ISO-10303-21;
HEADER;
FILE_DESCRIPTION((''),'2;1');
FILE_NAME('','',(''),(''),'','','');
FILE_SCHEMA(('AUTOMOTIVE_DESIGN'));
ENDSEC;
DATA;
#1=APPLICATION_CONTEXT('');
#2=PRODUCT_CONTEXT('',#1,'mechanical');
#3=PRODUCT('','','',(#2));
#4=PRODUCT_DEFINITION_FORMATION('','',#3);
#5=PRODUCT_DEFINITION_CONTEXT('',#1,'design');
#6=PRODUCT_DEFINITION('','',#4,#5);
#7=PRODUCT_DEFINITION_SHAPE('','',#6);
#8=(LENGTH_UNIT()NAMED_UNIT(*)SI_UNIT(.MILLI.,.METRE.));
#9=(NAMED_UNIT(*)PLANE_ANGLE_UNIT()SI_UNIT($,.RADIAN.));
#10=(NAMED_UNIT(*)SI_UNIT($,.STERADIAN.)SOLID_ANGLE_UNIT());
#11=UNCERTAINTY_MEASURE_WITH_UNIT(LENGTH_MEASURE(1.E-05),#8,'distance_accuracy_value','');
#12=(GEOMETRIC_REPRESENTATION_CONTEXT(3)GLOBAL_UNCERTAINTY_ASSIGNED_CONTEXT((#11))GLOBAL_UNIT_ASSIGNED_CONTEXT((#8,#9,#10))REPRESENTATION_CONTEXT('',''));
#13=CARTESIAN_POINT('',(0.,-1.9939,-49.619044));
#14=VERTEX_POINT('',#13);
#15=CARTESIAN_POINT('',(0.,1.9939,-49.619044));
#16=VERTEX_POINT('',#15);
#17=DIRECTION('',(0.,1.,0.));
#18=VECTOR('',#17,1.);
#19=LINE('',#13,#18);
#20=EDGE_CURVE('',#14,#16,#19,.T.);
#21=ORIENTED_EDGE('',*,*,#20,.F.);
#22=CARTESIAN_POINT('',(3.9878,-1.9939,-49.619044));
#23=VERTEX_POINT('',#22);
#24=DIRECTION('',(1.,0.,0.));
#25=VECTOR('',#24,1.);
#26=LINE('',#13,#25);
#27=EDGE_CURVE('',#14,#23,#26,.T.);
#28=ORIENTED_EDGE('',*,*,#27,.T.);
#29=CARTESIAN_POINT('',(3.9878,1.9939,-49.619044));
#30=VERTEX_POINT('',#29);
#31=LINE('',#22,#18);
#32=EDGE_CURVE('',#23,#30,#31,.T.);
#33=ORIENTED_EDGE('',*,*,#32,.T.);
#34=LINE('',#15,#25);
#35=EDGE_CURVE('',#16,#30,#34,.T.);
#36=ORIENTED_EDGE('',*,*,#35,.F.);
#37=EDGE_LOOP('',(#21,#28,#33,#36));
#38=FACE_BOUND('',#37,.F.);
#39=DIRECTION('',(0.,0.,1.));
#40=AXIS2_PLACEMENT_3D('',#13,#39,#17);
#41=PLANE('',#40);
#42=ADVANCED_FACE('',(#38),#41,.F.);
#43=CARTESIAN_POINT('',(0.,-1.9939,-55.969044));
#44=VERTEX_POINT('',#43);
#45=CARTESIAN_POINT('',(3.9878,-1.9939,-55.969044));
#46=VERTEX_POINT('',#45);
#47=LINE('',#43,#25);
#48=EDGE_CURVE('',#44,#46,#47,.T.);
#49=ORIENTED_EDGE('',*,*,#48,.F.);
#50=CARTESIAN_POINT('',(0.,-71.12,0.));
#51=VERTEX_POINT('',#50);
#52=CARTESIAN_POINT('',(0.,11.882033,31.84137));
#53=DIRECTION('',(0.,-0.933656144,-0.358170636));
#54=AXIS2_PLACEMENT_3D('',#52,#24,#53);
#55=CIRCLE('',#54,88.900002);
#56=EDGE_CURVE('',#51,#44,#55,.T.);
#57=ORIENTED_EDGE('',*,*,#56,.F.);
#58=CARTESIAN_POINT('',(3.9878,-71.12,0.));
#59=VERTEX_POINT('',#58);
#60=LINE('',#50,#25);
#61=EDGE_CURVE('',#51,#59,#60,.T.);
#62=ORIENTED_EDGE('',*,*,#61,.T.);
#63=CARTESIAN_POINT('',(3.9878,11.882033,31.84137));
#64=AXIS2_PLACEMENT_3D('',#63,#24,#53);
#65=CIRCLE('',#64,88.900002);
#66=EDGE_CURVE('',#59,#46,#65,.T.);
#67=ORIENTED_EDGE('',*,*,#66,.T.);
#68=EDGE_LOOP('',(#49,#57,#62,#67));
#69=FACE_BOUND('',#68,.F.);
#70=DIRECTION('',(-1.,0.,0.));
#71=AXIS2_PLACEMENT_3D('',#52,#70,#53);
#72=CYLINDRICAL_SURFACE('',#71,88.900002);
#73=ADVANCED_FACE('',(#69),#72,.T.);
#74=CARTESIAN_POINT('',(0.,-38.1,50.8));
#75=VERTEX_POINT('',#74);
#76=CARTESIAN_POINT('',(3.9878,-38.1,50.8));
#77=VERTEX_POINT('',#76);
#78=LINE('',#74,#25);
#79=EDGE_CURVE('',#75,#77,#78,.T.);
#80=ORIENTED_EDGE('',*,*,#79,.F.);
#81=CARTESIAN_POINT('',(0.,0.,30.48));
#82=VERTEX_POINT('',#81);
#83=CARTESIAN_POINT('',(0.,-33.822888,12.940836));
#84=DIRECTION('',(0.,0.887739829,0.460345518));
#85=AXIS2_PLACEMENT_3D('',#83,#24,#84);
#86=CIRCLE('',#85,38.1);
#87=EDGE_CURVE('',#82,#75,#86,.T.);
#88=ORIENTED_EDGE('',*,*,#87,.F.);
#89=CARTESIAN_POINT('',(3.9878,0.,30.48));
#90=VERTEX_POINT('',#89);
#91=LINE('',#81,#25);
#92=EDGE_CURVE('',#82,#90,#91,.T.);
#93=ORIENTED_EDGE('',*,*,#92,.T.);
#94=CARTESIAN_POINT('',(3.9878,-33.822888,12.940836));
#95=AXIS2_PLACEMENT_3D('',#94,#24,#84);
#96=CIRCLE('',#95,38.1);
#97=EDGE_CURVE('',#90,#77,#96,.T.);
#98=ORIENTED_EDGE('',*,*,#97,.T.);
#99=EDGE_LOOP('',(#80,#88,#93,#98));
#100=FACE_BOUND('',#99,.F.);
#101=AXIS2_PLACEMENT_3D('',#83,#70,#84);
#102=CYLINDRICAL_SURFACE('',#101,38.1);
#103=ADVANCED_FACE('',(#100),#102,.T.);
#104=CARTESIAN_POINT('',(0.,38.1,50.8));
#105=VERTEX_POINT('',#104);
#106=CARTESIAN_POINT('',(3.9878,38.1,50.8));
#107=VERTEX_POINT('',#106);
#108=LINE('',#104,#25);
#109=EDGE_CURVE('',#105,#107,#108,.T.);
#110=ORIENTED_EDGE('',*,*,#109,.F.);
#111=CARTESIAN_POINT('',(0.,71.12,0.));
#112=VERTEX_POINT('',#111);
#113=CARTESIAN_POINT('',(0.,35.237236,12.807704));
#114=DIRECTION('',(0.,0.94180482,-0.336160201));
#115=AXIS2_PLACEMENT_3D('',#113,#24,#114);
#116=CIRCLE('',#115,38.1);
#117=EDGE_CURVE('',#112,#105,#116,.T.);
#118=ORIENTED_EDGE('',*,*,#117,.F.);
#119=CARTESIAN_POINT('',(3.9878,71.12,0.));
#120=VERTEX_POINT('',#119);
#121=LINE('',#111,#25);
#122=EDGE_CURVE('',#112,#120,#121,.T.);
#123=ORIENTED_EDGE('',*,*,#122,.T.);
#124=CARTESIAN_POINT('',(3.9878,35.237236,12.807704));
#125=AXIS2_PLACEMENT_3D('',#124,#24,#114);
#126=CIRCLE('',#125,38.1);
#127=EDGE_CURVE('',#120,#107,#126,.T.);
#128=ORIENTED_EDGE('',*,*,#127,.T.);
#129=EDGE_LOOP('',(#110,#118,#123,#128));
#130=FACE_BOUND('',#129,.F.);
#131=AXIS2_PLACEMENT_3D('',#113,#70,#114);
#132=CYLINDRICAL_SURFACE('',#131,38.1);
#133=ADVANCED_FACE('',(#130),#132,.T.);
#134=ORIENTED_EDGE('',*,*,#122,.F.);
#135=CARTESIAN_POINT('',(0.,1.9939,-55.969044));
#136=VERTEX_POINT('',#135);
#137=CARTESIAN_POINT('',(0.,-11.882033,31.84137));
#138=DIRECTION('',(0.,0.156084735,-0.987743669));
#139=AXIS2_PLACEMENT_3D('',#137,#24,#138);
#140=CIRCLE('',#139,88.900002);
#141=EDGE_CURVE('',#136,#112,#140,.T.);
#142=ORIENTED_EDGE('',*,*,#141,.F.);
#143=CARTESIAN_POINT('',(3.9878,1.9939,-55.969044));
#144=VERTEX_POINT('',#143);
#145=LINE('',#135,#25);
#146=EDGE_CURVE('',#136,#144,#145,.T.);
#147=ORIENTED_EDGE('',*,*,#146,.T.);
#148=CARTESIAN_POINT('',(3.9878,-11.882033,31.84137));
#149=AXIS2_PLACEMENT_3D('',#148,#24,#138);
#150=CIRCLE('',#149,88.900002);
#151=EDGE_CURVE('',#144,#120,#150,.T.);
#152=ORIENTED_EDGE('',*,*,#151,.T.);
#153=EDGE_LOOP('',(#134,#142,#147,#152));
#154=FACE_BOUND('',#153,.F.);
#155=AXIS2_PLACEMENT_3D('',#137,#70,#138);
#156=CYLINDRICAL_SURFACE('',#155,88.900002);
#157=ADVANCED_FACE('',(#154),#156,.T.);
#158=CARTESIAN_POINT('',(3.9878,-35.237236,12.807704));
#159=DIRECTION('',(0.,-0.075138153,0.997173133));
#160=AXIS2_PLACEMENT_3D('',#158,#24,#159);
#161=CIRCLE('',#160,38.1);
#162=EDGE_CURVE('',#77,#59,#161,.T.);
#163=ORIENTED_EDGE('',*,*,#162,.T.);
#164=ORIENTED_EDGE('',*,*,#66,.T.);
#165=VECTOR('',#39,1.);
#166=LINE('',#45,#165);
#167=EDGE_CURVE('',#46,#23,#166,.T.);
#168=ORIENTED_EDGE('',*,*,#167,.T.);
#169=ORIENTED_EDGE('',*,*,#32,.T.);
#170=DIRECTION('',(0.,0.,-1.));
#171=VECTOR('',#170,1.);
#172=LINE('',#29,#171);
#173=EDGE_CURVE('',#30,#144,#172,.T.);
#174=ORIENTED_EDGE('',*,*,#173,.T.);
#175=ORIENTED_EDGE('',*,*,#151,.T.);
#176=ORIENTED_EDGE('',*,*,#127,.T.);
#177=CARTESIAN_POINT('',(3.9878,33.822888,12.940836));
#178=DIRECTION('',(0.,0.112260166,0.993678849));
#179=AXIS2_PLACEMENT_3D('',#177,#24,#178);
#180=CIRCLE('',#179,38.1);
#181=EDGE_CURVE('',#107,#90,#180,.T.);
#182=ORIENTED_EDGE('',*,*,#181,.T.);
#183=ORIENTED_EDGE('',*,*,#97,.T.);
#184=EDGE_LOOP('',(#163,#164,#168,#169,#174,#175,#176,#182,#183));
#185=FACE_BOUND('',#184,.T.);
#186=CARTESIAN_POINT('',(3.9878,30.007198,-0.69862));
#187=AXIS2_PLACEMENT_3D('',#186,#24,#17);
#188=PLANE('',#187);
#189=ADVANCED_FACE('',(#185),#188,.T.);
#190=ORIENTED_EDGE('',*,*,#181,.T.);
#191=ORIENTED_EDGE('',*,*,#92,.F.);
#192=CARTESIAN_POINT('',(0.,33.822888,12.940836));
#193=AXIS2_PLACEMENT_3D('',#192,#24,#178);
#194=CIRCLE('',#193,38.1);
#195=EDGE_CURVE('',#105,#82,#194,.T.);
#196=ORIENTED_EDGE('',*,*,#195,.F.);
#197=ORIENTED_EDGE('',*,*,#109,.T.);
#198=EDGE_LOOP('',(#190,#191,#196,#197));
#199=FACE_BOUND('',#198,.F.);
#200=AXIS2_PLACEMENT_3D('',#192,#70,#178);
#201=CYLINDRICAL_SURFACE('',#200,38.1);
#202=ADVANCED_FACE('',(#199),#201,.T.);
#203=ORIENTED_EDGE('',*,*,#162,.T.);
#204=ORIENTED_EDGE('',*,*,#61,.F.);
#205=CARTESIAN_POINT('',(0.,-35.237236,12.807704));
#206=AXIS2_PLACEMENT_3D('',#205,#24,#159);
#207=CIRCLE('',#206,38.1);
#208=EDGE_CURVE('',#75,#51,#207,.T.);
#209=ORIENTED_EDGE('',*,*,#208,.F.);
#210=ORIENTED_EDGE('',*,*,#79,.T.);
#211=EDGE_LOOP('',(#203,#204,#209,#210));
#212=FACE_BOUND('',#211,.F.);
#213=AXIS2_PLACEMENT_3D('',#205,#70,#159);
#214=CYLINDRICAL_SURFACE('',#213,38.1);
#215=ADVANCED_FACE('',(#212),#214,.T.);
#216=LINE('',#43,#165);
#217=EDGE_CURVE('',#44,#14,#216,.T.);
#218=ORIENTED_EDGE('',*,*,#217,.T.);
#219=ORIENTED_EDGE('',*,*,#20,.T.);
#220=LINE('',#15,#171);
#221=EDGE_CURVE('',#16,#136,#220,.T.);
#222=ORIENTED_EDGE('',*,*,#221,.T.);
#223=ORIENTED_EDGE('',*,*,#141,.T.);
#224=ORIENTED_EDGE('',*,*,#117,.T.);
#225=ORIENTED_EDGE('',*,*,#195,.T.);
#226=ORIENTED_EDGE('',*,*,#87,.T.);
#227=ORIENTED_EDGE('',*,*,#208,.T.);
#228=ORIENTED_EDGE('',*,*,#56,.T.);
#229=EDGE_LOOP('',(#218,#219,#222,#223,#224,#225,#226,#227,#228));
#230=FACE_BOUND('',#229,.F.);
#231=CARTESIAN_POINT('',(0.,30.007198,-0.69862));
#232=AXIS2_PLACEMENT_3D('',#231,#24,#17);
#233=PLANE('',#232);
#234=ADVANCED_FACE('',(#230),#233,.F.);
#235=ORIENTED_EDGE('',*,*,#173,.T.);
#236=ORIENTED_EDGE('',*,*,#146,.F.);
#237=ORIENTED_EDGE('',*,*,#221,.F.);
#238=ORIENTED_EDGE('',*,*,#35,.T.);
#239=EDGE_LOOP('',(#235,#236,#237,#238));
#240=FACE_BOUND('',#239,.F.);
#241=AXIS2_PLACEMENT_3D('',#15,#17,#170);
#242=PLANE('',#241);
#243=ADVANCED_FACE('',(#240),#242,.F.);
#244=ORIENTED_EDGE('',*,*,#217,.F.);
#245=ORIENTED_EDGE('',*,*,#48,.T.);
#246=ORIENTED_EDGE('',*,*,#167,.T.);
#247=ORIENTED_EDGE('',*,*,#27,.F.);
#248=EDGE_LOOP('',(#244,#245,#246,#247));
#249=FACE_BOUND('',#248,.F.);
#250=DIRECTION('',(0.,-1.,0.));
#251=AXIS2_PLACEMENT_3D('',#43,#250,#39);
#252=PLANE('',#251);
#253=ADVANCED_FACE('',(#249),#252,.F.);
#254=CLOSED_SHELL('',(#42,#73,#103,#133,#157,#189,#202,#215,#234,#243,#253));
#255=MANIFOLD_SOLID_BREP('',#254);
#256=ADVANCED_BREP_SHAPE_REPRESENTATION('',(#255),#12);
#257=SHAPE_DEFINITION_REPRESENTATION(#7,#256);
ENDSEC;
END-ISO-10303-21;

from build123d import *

# Parameters (mm, degrees)
F1_DEPTH = 3.9878


with BuildPart() as f1:
    # F0 (on Right) → F1 (new body)
    with BuildSketch(Plane.YZ):
        with BuildLine():
            Line((0, 30.48), (0, 0))
            Line((0, 0), (0, -49.619044))
            Line((0, -49.619044), (1.9939, -49.619044))
            Line((1.9939, -49.619044), (1.9939, -55.969044))
            ThreePointArc((1.9939, -55.969044), (44.05962, -37.2509), (71.12, 0))
            ThreePointArc((71.12, 0), (67.181938, 33.57176), (38.1, 50.8))
            ThreePointArc((38.1, 50.8), (15.893476, 46.558483), (0, 30.48))
        make_face()
        with BuildLine():
            Line((0, -49.619044), (0, 0))
            Line((0, 0), (0, 30.48))
            ThreePointArc((0, 30.48), (-15.893476, 46.558483), (-38.1, 50.8))
            ThreePointArc((-38.1, 50.8), (-67.181938, 33.57176), (-71.12, 0))
            ThreePointArc((-71.12, 0), (-44.05962, -37.2509), (-1.9939, -55.969044))
            Line((-1.9939, -55.969044), (-1.9939, -49.619044))
            Line((-1.9939, -49.619044), (0, -49.619044))
        make_face()
    extrude(amount=F1_DEPTH)


solid = f1.part
